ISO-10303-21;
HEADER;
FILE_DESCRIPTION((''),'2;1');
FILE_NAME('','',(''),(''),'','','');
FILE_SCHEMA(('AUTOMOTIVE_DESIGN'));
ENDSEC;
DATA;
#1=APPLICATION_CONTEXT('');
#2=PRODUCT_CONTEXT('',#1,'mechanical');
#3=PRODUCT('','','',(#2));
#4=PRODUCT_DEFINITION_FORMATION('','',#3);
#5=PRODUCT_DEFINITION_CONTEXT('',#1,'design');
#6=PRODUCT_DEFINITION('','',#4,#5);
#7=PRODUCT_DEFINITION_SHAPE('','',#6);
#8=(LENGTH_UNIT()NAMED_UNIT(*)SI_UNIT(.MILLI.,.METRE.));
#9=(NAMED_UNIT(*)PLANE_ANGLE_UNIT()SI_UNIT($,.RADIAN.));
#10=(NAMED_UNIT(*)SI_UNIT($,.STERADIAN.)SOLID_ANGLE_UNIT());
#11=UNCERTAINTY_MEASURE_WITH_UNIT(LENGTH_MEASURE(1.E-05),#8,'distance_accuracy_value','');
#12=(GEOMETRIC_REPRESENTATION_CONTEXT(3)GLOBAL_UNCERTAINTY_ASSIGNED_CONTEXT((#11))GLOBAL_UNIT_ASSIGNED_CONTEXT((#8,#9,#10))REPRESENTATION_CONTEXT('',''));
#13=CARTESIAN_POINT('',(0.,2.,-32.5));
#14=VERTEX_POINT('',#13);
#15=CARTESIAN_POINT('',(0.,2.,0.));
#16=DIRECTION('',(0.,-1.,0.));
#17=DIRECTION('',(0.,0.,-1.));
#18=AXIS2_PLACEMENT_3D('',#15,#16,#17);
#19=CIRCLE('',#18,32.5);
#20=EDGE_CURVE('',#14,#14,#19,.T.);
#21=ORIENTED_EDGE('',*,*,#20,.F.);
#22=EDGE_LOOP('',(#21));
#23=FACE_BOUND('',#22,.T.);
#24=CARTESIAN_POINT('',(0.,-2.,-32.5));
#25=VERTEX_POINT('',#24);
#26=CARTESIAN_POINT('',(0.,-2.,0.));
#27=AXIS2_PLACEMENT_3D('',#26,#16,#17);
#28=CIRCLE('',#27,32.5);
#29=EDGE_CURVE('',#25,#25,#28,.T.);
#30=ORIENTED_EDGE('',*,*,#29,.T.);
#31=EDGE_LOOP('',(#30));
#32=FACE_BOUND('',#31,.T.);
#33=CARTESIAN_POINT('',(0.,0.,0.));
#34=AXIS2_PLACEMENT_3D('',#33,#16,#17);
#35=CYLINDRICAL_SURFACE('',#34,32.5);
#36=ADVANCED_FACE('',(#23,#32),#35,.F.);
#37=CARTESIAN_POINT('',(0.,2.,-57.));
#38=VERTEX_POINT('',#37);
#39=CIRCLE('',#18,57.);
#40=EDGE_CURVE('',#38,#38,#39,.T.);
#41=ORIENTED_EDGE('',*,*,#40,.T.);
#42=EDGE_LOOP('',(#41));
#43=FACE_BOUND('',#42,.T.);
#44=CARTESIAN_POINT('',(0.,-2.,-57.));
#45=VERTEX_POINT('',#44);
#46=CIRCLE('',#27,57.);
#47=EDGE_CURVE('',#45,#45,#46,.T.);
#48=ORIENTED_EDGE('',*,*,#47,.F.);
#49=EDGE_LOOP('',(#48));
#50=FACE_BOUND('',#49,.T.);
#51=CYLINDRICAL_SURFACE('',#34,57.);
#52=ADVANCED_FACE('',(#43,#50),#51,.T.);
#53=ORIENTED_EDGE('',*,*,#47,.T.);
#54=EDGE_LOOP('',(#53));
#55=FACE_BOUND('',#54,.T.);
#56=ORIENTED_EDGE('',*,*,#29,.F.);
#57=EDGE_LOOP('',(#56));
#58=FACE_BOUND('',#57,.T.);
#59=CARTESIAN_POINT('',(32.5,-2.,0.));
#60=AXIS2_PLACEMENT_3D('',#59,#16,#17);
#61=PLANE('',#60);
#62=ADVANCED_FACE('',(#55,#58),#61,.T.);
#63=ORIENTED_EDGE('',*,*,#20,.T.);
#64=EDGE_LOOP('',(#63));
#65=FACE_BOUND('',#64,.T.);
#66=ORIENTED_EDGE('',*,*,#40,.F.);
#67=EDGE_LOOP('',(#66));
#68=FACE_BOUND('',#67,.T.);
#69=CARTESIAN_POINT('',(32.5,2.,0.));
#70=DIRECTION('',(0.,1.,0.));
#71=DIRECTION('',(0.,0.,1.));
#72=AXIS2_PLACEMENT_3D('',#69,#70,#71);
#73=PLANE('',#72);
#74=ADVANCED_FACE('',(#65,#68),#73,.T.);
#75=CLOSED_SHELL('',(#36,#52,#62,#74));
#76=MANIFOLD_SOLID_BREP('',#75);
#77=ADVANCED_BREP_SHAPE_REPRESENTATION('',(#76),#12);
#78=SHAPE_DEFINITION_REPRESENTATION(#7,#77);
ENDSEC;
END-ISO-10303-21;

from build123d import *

# Parameters (mm, degrees)
SKETCH1_W = 24.5
SKETCH1_H = 4


with BuildPart() as part:
    # Sketch1 → Revolve1 (revolve)
    with BuildSketch(Plane.XY, mode=Mode.PRIVATE) as revolve1_sk:
        with Locations((44.75, 0)):
            Rectangle(SKETCH1_W, SKETCH1_H)
    revolve(revolve1_sk.sketch.rotate(Axis((0, 0, 0), (0, 1, 0)), 90), axis=Axis((0, 0, 0), (0, 1, 0)))


solid = part.part
